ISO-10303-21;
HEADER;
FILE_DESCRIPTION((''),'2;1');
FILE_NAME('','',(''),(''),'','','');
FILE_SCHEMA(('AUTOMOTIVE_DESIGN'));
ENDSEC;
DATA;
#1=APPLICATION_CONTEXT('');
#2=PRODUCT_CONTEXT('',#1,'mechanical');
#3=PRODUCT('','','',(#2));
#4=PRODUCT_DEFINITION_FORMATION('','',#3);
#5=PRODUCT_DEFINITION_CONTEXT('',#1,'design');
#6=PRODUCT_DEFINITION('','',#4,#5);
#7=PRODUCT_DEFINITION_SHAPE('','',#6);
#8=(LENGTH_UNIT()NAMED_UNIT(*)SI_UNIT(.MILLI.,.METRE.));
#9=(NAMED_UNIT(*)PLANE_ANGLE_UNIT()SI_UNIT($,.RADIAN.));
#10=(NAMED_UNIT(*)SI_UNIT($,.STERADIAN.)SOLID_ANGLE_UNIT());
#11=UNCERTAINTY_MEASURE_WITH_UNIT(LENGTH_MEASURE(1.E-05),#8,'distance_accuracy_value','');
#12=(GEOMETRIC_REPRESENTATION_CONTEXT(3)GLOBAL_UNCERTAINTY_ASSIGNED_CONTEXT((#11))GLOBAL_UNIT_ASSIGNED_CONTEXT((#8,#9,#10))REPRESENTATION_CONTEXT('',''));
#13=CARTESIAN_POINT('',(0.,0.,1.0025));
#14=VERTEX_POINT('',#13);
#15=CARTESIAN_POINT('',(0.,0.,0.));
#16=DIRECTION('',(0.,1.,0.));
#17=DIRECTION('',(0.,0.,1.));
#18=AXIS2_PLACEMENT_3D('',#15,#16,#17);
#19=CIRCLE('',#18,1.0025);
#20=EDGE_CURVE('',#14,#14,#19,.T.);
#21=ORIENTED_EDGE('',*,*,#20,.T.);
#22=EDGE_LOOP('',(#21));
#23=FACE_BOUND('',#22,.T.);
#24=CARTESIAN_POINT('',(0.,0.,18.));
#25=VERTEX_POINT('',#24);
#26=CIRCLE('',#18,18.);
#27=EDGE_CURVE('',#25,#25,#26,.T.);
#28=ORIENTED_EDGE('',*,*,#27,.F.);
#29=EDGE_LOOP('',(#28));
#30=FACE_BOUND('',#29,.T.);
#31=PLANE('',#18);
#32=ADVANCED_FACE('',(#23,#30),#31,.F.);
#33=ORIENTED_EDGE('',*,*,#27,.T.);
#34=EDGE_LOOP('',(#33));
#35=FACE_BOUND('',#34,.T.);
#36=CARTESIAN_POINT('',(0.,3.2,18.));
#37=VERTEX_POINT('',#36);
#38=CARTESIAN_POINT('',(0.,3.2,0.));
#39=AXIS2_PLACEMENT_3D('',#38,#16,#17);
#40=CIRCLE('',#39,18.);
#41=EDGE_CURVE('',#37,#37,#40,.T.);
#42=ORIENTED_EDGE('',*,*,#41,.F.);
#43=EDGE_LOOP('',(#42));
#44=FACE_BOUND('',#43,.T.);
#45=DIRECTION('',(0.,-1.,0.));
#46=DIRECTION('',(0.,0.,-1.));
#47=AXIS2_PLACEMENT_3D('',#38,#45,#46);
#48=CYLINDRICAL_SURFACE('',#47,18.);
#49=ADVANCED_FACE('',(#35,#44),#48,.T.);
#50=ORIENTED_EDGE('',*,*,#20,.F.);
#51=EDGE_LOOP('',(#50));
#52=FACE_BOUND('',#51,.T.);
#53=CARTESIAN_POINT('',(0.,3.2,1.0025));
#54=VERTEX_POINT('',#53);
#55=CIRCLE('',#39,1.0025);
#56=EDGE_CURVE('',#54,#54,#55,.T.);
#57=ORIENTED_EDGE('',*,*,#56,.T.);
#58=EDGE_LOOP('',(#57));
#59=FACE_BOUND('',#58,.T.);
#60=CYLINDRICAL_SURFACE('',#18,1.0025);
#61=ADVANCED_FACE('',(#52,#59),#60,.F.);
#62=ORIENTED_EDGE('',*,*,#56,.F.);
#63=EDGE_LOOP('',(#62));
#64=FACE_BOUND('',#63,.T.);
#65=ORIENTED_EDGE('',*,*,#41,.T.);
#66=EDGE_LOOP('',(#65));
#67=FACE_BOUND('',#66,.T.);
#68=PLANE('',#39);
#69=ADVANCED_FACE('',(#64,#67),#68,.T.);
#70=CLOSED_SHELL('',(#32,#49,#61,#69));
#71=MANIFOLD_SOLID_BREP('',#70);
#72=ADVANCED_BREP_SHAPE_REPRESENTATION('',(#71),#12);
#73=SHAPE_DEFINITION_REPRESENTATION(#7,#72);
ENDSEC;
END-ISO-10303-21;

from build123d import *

# Parameters (mm, degrees)
SKETCH1_R           = 18
BOSS_EXTRUDE1_DEPTH = 3.2
SKETCH2_R           = 1.0025
CUT_EXTRUDE1_DEPTH  = 4.2


with BuildPart() as part:
    # Sketch1 → Boss-Extrude1 (new body)
    with BuildSketch(Plane(origin=(0, 0, 0), x_dir=(1, 0, 0), z_dir=(0, 1, 0))):
        Circle(SKETCH1_R)
    extrude(amount=BOSS_EXTRUDE1_DEPTH)

    # Sketch2 → Cut-Extrude1 (cut, through all)
    with BuildSketch(Plane(origin=(0, 3.2, 0), x_dir=(1, 0, 0), z_dir=(0, 1, 0))):
        Circle(SKETCH2_R)
    extrude(amount=-CUT_EXTRUDE1_DEPTH, mode=Mode.SUBTRACT)


solid = part.part
